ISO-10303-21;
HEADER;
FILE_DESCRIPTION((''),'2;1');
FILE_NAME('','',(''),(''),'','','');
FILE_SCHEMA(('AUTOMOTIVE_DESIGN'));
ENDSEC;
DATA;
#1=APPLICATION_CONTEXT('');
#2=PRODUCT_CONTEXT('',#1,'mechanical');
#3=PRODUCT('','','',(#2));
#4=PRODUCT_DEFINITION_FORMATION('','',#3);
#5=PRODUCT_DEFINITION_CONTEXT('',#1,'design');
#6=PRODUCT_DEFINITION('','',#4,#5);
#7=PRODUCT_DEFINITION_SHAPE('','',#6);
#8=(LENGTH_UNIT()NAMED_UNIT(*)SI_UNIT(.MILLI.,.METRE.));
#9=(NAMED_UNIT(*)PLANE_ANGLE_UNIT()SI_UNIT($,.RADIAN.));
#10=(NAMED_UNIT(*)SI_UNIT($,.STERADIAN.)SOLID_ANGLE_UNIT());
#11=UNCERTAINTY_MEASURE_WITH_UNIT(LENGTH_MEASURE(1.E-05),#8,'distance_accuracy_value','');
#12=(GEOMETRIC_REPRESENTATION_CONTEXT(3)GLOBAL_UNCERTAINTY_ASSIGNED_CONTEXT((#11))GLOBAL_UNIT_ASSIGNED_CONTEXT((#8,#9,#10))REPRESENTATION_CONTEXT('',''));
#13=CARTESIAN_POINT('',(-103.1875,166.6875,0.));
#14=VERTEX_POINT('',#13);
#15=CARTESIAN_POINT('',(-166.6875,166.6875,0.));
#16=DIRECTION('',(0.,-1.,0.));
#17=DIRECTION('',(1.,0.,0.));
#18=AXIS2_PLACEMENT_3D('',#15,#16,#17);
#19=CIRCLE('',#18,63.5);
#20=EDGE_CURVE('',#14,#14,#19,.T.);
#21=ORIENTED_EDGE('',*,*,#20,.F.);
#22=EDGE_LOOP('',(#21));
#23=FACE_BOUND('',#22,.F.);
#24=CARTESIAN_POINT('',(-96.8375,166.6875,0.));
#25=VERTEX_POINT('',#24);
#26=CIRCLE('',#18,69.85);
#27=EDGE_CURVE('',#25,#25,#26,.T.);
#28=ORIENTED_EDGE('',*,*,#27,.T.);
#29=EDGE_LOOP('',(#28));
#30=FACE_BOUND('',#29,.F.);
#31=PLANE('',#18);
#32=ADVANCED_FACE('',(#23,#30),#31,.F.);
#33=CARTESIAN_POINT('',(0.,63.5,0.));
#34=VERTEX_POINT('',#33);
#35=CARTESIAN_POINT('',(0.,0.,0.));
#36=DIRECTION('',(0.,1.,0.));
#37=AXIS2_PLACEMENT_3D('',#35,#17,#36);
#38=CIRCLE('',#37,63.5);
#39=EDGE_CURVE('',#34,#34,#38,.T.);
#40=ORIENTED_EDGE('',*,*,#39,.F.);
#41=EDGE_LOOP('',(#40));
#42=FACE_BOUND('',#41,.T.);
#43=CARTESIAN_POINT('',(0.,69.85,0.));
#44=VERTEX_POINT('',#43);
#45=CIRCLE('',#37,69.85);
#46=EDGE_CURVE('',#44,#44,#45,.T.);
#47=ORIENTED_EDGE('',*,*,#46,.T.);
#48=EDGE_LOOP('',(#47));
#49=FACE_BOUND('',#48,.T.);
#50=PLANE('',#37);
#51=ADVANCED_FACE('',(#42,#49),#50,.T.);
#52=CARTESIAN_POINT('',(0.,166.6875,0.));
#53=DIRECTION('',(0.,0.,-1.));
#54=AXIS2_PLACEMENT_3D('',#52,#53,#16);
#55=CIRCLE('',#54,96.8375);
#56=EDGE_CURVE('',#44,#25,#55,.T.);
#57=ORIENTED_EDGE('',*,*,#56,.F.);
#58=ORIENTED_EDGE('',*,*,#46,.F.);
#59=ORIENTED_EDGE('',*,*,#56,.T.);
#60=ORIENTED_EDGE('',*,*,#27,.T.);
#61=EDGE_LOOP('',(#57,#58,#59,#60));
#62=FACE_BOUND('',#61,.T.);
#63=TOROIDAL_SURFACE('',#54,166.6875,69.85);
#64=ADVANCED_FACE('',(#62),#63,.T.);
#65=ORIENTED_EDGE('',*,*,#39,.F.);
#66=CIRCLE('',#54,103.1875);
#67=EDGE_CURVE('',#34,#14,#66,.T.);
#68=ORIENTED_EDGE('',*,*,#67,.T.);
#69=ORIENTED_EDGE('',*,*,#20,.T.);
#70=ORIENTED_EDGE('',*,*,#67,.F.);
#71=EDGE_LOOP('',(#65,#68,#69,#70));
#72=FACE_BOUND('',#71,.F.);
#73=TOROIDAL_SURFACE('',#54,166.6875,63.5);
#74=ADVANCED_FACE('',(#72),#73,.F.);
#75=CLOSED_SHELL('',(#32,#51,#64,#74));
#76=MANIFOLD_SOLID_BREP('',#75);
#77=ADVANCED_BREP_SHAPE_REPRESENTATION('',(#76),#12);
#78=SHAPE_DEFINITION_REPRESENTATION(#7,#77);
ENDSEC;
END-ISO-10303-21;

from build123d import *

# Parameters (mm, degrees)
F0_R     = 69.85
F0_R_2   = 63.5
F1_ANGLE = 90


with BuildPart() as f1:
    # F0 (on Right) → F1 (revolve)
    with BuildSketch(Plane.YZ):
        Circle(F0_R)
        Circle(F0_R_2, mode=Mode.SUBTRACT)
    revolve(axis=Axis((0, 166.6875, -4.148822), (0, 0, -1)), revolution_arc=F1_ANGLE)


solid = f1.part
